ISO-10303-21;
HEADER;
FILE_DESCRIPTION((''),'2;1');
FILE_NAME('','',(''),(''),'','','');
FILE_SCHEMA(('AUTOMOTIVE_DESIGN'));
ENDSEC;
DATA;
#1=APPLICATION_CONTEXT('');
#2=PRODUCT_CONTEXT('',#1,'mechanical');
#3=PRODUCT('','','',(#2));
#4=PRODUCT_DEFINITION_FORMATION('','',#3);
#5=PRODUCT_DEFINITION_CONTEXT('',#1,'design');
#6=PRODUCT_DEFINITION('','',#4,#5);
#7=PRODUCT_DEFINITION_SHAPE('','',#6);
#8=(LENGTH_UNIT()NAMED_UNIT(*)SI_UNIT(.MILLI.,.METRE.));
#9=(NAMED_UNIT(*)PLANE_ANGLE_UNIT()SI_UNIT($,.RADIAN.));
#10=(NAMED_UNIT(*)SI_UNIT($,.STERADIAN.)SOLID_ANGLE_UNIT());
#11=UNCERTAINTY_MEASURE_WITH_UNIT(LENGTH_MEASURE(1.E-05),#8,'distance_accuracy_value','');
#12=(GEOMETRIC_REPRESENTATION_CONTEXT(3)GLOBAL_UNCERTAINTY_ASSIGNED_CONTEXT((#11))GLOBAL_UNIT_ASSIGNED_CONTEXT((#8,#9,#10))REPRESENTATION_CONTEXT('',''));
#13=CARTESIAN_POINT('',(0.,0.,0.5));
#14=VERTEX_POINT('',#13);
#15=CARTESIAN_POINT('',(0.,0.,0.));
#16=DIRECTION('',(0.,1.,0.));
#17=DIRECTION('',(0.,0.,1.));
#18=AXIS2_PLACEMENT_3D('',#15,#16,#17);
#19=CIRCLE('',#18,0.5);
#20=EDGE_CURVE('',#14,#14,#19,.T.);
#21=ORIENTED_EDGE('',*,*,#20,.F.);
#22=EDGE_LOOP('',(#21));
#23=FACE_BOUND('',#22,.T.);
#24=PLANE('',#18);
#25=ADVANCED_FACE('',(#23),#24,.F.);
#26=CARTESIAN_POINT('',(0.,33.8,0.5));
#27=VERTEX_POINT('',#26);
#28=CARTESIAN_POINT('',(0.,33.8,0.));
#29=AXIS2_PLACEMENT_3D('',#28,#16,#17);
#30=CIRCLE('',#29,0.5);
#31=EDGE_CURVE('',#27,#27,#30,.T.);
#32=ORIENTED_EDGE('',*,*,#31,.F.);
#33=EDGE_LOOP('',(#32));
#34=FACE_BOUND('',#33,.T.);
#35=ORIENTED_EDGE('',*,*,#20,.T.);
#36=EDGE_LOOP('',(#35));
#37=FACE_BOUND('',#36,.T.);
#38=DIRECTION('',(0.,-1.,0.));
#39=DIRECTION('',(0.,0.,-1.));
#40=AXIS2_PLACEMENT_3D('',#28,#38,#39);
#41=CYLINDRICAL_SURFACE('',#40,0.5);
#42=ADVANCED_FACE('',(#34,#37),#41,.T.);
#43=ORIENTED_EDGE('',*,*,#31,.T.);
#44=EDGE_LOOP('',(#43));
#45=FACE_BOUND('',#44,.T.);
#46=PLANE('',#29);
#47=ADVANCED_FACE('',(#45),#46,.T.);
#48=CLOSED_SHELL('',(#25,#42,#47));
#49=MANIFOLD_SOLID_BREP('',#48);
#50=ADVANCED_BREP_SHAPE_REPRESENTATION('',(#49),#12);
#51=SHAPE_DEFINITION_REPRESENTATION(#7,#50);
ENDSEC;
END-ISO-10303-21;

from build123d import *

# Parameters (mm, degrees)
SKETCH_4_R      = 0.5
EXTRUDE_1_DEPTH = 33.8


with BuildPart() as part:
    # 草图4 → 凸台-拉伸1 (new body)
    with BuildSketch(Plane(origin=(0, 0, 0), x_dir=(1, 0, 0), z_dir=(0, 1, 0))):
        with Locations(Location((0, 0, 0), (0, 0, 270))):
            Circle(SKETCH_4_R)
    extrude(amount=EXTRUDE_1_DEPTH)


solid = part.part
